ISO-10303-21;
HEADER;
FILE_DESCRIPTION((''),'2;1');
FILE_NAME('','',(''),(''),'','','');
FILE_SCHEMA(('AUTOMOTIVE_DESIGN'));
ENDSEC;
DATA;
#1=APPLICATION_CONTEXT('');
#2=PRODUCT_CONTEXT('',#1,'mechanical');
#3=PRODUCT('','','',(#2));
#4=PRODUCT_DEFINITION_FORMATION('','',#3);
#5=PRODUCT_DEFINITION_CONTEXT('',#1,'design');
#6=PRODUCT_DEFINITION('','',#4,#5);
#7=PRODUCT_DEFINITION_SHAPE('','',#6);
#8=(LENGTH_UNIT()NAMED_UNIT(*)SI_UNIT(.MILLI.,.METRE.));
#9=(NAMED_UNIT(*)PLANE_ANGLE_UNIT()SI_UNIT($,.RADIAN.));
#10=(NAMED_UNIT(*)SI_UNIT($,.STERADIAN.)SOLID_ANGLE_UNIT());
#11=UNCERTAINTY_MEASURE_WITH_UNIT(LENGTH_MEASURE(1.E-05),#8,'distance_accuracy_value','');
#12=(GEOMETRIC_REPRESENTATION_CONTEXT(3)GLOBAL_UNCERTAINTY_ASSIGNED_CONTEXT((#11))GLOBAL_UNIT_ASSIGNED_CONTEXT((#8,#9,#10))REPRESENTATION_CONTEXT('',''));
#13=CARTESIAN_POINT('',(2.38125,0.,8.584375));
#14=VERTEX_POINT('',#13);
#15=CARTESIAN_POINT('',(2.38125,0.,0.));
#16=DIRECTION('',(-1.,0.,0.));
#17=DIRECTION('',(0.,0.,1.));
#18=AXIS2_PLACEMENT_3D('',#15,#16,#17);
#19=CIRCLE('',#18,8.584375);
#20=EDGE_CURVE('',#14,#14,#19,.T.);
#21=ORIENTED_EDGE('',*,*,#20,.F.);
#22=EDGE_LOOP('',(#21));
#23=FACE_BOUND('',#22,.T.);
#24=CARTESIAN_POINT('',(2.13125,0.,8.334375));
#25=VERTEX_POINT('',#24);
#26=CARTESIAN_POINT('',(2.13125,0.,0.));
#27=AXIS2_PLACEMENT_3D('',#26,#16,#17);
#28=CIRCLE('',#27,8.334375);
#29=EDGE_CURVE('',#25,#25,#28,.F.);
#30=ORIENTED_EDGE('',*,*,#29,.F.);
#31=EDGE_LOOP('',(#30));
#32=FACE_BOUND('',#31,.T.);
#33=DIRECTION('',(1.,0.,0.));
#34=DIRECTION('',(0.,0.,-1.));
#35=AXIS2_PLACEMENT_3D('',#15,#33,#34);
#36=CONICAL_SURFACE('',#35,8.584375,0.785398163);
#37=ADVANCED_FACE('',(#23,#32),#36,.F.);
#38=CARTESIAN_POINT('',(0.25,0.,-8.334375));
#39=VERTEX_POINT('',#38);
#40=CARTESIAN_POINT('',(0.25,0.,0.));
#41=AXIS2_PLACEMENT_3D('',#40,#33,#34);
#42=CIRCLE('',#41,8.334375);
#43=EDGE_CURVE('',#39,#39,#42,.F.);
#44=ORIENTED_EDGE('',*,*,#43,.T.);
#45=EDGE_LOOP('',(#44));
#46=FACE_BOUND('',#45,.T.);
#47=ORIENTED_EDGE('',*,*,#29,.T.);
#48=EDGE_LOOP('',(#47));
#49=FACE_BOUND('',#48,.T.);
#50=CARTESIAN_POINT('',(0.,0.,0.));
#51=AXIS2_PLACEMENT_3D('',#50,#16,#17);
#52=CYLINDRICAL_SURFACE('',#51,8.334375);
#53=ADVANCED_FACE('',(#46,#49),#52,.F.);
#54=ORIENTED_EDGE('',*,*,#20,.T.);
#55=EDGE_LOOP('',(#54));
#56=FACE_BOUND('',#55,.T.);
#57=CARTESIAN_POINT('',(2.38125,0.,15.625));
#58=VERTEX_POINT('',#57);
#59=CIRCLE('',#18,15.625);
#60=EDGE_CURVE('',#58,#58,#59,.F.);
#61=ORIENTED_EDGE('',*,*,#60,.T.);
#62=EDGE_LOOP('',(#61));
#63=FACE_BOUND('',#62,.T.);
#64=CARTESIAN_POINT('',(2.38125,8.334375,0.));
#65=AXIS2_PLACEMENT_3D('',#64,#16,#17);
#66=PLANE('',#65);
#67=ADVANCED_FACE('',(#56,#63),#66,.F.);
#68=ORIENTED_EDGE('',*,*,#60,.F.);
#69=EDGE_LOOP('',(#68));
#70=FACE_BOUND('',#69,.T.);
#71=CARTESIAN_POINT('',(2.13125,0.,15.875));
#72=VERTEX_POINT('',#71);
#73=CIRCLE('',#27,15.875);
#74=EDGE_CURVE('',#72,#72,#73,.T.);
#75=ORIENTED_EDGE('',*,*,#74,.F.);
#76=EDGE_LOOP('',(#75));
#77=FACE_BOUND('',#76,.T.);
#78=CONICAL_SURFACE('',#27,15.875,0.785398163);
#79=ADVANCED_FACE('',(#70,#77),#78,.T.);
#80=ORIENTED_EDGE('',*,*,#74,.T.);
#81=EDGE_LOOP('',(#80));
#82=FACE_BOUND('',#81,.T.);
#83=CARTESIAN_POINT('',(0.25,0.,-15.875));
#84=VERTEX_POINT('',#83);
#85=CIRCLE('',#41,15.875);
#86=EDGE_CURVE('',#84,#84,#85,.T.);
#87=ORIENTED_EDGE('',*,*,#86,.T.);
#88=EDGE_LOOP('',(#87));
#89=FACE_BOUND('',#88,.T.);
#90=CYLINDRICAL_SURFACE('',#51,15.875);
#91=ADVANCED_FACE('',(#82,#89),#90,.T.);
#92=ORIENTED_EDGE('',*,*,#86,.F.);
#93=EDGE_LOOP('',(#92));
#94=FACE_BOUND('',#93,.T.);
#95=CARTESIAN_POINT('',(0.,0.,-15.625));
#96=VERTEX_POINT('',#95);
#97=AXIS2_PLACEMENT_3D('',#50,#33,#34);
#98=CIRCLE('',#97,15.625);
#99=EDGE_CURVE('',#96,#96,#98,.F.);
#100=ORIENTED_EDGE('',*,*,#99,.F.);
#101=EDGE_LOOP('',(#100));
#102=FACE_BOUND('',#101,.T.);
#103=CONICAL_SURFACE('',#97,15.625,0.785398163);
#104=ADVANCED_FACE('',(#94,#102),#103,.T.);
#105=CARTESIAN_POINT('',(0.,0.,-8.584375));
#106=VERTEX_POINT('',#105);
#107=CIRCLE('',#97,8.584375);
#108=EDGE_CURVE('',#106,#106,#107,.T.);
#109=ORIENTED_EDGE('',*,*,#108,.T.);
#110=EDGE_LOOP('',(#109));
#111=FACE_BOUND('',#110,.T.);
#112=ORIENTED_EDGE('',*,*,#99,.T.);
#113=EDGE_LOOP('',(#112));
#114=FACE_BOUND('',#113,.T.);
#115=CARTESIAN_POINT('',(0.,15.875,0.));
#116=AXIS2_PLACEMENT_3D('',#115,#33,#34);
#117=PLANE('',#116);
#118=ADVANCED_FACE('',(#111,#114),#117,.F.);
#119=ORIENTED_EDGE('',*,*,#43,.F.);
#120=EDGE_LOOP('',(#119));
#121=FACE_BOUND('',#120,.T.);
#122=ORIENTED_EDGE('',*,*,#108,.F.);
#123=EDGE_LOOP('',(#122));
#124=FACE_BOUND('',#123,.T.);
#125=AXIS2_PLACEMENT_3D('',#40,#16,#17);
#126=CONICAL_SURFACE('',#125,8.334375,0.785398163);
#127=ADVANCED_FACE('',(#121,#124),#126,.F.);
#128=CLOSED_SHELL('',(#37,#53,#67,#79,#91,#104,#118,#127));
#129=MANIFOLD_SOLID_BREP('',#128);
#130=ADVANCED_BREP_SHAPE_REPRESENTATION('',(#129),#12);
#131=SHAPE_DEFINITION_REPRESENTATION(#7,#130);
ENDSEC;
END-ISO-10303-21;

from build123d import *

# Parameters (mm, degrees)
SKETCH1_W     = 2.38125
SKETCH1_H     = 7.540625
CHAMFER1_SIZE = 0.25


with BuildPart() as part:
    # Sketch1 → Revolve1 (revolve)
    with BuildSketch(Plane.XY, mode=Mode.PRIVATE) as revolve1_sk:
        with Locations((1.190625, 12.1046875)):
            Rectangle(SKETCH1_W, SKETCH1_H)
    revolve(revolve1_sk.sketch.rotate(Axis((0, 0, 0), (1, 0, 0)), 90), axis=Axis((0, 0, 0), (1, 0, 0)))

    # Chamfer1
    chamfer1_edges = [part.edges().sort_by_distance(p)[0] for p in [
        (0, 0, -15.875),
        (2.38125, 0, -15.875),
        (2.38125, 0, -8.334375),
        (0, 0, -8.334375),
    ]]
    chamfer(chamfer1_edges, length=CHAMFER1_SIZE)


solid = part.part
